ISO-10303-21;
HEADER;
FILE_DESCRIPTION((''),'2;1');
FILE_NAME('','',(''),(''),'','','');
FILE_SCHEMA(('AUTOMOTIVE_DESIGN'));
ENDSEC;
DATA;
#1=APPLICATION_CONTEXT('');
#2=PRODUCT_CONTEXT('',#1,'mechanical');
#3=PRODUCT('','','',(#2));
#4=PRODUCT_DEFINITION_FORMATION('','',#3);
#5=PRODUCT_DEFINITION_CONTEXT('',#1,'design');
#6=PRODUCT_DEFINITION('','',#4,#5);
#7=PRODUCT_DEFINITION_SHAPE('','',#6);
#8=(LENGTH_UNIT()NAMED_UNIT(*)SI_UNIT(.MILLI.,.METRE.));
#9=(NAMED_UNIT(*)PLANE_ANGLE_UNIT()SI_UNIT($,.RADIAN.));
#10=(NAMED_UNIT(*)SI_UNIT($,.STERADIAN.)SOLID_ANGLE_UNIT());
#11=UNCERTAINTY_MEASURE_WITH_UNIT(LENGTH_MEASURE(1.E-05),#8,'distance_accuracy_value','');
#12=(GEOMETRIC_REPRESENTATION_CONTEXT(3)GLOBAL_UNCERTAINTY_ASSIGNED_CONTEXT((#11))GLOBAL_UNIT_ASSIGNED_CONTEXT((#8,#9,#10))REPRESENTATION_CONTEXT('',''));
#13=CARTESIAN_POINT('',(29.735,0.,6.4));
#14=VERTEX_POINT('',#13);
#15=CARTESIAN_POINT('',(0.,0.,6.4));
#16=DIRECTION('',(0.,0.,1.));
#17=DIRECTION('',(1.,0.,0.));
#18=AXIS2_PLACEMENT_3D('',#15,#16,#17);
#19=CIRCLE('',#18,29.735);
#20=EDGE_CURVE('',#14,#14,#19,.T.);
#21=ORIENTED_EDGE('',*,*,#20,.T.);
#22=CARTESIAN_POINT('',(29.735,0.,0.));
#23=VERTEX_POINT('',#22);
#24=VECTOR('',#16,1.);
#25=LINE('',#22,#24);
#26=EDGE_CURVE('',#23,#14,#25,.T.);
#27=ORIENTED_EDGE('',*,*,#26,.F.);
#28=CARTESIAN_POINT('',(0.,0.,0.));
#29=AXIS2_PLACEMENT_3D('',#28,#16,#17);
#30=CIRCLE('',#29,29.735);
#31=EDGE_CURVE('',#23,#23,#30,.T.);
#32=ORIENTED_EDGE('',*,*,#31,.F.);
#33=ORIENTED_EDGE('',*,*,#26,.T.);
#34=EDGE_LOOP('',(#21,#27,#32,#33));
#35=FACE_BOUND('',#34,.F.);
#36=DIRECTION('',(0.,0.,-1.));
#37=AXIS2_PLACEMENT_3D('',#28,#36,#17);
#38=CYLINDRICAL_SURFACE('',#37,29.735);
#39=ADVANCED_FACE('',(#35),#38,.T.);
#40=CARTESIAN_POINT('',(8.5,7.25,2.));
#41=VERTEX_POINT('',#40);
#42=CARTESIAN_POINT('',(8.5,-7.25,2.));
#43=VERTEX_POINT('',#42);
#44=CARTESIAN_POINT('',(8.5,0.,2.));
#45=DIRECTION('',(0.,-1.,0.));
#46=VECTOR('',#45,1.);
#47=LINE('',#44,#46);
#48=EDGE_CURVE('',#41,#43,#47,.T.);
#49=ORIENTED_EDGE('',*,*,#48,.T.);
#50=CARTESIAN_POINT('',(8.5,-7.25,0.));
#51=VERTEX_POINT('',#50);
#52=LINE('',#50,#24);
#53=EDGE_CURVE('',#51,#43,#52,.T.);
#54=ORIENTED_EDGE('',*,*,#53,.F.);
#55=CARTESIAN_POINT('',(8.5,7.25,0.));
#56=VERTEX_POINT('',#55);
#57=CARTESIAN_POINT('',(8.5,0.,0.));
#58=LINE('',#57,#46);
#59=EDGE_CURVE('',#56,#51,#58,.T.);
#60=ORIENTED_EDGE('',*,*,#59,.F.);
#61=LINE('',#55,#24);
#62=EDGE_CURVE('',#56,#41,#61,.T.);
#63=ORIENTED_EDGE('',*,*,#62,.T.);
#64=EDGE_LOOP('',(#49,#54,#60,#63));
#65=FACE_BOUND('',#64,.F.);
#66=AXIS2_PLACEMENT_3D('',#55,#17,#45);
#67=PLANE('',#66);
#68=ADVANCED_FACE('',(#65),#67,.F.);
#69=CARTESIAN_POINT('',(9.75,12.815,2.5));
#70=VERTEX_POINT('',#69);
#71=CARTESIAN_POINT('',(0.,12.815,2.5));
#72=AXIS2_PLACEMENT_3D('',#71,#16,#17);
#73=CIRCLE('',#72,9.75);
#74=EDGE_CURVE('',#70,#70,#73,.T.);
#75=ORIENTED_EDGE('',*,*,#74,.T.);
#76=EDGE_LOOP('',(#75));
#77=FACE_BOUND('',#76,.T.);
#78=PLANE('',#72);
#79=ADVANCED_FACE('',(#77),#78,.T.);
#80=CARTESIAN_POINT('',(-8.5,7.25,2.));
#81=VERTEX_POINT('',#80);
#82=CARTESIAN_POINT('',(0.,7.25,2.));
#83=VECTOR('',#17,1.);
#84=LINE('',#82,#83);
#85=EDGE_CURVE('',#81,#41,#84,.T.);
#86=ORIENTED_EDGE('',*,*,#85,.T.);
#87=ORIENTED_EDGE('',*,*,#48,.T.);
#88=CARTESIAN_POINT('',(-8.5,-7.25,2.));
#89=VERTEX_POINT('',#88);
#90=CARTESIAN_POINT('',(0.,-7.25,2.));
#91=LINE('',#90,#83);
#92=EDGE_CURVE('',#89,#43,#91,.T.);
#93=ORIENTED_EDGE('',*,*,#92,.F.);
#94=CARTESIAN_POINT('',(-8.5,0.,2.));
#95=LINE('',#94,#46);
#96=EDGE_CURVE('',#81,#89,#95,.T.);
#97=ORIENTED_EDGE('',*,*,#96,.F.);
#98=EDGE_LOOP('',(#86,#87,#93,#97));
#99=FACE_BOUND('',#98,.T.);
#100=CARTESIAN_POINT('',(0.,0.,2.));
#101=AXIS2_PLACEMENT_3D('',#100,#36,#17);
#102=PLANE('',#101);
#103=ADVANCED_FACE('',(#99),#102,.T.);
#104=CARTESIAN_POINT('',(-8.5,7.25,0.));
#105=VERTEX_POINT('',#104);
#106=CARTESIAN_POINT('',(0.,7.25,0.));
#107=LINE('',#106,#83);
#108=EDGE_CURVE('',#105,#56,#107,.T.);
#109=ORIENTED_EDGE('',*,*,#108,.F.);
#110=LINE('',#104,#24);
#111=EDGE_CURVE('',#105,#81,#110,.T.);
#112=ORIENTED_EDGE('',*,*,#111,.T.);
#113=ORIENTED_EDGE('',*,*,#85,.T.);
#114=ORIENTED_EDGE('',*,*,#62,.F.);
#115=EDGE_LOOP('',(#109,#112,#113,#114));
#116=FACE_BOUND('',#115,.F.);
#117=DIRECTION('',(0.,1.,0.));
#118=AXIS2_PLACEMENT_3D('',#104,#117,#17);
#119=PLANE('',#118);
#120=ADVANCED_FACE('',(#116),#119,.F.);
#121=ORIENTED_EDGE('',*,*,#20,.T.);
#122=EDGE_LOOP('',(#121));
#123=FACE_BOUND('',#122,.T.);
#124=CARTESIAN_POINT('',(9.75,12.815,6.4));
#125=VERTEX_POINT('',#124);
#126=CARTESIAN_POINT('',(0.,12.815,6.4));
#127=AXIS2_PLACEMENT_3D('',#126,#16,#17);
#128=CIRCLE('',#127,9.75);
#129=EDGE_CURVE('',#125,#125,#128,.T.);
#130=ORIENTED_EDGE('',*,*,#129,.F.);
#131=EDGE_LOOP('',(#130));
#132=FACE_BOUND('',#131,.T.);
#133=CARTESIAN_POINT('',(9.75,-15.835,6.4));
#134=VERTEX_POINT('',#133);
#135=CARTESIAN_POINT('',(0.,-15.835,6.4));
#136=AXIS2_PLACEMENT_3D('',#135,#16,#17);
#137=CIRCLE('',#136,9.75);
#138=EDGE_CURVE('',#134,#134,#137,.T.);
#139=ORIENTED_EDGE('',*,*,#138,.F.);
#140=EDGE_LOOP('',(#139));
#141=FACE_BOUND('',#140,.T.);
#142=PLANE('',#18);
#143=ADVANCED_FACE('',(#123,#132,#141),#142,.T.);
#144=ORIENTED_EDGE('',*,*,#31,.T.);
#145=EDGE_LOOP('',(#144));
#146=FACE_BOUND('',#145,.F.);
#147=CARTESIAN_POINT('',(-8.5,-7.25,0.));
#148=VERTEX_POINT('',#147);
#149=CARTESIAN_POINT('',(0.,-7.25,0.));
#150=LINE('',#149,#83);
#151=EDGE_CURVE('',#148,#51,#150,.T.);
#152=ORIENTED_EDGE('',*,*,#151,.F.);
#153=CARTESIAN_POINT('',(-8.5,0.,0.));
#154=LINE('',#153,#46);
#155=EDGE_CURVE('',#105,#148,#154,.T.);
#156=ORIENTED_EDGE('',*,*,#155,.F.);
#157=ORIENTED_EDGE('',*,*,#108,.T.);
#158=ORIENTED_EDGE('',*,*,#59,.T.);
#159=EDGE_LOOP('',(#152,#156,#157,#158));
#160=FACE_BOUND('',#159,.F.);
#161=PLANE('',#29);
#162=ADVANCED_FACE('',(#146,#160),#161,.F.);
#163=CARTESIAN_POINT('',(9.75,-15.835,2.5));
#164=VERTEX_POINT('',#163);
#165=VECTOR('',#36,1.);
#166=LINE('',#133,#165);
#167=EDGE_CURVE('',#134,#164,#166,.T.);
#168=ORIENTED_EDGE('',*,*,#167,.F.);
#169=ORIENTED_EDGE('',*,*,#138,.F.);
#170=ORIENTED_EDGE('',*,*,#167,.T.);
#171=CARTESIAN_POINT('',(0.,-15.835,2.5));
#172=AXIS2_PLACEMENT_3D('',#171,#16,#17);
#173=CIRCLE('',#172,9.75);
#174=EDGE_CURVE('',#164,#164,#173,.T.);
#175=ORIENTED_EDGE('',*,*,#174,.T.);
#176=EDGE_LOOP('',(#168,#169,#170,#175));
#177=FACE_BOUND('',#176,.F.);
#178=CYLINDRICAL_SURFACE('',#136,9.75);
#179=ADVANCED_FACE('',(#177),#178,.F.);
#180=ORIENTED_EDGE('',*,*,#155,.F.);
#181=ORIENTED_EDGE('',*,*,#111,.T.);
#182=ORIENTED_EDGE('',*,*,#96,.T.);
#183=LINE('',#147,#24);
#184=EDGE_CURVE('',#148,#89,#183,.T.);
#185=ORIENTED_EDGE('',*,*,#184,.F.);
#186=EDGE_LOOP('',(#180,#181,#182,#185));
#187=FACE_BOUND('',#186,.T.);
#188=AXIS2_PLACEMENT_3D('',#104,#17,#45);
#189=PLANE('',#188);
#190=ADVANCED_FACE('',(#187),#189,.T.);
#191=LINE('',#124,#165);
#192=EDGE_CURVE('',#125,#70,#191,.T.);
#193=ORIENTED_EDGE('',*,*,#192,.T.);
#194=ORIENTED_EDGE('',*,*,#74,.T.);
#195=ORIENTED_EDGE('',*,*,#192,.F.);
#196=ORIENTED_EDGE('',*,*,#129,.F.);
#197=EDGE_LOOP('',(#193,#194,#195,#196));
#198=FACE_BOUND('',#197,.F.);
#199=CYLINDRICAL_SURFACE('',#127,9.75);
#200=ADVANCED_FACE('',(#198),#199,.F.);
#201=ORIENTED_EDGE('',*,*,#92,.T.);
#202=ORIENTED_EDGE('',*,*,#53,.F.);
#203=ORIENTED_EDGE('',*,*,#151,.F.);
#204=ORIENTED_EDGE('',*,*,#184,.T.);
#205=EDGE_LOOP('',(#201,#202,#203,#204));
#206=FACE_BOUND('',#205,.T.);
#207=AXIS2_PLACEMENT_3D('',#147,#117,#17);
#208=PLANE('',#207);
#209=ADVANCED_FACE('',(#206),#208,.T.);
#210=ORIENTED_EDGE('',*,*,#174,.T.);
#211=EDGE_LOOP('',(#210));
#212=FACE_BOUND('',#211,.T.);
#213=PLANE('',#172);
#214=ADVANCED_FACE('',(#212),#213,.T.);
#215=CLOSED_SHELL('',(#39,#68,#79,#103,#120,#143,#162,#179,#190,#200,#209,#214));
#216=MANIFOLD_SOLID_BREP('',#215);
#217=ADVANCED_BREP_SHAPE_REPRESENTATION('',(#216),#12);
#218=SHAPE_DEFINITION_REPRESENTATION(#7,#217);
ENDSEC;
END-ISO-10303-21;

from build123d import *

# Parameters (mm, degrees)
F0_R     = 29.735
F1_DEPTH = 6.4
F2_R     = 9.75
F3_DEPTH = 3.9
F4_W     = 17
F4_H     = 14.5
F5_DEPTH = 2


with BuildPart() as f1:
    # F0 (on Top) → F1 (new body)
    with BuildSketch(Plane.XY):
        Circle(F0_R)
    extrude(amount=F1_DEPTH)

    # F2 (on face) → F3 (cut)
    with BuildSketch(Plane.XY.offset(6.4)):
        with Locations((0, 12.815)):
            Circle(F2_R)
        with Locations((0, -15.835)):
            Circle(F2_R)
    extrude(amount=-F3_DEPTH, mode=Mode.SUBTRACT)

    # F4 (on face) → F5 (cut)
    with BuildSketch(Plane(origin=(0, 0, 0), x_dir=(1, 0, 0), z_dir=(0, 0, -1))):
        Rectangle(F4_W, F4_H)
    extrude(amount=-F5_DEPTH, mode=Mode.SUBTRACT)


solid = f1.part
